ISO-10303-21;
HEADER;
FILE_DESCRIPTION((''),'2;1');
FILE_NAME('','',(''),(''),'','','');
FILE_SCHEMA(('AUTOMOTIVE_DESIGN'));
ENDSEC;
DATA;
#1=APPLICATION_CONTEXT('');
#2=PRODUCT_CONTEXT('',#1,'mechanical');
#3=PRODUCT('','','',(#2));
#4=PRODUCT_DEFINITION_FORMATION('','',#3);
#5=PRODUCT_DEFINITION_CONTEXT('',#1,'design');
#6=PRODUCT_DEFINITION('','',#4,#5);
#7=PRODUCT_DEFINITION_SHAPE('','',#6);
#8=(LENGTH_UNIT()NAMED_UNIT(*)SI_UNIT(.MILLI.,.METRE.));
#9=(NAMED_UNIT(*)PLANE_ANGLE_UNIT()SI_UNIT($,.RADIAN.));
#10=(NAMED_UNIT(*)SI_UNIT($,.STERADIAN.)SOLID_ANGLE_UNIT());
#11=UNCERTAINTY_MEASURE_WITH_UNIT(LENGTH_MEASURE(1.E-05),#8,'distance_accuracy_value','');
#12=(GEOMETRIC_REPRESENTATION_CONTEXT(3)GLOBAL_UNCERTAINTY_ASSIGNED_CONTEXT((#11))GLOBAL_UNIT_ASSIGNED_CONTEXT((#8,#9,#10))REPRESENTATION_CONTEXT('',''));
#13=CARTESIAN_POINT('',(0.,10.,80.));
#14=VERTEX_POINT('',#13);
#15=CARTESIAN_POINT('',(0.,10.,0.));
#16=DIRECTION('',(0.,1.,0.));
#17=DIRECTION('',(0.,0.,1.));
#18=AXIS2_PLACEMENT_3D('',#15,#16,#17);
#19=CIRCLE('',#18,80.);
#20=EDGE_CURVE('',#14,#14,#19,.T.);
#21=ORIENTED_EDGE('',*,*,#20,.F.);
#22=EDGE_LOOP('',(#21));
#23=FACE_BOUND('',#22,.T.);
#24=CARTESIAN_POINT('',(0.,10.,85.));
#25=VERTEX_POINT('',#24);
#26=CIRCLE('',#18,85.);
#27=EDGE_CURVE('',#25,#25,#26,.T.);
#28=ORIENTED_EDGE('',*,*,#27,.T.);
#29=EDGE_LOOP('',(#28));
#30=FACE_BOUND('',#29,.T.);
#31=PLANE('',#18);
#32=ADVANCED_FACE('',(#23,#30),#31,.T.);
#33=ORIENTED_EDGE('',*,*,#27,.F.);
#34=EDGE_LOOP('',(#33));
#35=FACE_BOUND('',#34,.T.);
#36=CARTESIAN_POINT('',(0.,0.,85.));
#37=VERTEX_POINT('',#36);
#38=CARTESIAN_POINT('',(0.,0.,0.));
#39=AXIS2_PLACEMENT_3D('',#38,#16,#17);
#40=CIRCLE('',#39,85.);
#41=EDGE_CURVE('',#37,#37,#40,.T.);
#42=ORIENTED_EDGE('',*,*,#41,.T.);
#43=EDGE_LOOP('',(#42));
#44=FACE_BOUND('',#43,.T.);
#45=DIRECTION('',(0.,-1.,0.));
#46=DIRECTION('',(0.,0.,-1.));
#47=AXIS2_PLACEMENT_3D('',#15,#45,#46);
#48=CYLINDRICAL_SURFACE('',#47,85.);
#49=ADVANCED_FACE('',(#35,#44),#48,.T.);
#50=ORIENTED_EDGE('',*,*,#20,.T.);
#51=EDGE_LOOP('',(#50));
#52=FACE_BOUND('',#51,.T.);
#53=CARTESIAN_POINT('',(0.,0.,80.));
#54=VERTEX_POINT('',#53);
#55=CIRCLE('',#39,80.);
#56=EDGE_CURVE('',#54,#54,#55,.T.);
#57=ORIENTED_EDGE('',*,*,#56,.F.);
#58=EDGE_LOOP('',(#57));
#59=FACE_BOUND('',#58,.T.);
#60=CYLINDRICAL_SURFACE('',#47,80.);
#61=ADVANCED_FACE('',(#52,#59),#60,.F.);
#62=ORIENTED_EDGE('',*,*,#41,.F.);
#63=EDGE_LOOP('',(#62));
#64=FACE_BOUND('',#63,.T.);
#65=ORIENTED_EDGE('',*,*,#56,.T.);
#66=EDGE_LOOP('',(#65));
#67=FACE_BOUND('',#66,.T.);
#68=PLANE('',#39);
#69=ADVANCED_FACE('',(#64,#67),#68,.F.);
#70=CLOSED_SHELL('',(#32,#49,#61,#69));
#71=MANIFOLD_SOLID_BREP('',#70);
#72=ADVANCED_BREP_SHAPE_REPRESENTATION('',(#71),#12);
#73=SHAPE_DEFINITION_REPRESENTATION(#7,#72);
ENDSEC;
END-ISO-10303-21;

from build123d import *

# Parameters (mm, degrees)
IZIM1_R                     = 85
IZIM1_R_2                   = 80
Y_KSEKLIK_EKSTR_ZYON1_DEPTH = 10


with BuildPart() as part:
    # Çizim1 → Yükseklik-Ekstrüzyon1 (new body)
    with BuildSketch(Plane(origin=(0, 0, 0), x_dir=(1, 0, 0), z_dir=(0, 1, 0))):
        with Locations(Location((0, 0, 0), (0, 0, 270))):
            Circle(IZIM1_R)
        with Locations(Location((0, 0, 0), (0, 0, 270))):
            Circle(IZIM1_R_2, mode=Mode.SUBTRACT)
    extrude(amount=Y_KSEKLIK_EKSTR_ZYON1_DEPTH)


solid = part.part
